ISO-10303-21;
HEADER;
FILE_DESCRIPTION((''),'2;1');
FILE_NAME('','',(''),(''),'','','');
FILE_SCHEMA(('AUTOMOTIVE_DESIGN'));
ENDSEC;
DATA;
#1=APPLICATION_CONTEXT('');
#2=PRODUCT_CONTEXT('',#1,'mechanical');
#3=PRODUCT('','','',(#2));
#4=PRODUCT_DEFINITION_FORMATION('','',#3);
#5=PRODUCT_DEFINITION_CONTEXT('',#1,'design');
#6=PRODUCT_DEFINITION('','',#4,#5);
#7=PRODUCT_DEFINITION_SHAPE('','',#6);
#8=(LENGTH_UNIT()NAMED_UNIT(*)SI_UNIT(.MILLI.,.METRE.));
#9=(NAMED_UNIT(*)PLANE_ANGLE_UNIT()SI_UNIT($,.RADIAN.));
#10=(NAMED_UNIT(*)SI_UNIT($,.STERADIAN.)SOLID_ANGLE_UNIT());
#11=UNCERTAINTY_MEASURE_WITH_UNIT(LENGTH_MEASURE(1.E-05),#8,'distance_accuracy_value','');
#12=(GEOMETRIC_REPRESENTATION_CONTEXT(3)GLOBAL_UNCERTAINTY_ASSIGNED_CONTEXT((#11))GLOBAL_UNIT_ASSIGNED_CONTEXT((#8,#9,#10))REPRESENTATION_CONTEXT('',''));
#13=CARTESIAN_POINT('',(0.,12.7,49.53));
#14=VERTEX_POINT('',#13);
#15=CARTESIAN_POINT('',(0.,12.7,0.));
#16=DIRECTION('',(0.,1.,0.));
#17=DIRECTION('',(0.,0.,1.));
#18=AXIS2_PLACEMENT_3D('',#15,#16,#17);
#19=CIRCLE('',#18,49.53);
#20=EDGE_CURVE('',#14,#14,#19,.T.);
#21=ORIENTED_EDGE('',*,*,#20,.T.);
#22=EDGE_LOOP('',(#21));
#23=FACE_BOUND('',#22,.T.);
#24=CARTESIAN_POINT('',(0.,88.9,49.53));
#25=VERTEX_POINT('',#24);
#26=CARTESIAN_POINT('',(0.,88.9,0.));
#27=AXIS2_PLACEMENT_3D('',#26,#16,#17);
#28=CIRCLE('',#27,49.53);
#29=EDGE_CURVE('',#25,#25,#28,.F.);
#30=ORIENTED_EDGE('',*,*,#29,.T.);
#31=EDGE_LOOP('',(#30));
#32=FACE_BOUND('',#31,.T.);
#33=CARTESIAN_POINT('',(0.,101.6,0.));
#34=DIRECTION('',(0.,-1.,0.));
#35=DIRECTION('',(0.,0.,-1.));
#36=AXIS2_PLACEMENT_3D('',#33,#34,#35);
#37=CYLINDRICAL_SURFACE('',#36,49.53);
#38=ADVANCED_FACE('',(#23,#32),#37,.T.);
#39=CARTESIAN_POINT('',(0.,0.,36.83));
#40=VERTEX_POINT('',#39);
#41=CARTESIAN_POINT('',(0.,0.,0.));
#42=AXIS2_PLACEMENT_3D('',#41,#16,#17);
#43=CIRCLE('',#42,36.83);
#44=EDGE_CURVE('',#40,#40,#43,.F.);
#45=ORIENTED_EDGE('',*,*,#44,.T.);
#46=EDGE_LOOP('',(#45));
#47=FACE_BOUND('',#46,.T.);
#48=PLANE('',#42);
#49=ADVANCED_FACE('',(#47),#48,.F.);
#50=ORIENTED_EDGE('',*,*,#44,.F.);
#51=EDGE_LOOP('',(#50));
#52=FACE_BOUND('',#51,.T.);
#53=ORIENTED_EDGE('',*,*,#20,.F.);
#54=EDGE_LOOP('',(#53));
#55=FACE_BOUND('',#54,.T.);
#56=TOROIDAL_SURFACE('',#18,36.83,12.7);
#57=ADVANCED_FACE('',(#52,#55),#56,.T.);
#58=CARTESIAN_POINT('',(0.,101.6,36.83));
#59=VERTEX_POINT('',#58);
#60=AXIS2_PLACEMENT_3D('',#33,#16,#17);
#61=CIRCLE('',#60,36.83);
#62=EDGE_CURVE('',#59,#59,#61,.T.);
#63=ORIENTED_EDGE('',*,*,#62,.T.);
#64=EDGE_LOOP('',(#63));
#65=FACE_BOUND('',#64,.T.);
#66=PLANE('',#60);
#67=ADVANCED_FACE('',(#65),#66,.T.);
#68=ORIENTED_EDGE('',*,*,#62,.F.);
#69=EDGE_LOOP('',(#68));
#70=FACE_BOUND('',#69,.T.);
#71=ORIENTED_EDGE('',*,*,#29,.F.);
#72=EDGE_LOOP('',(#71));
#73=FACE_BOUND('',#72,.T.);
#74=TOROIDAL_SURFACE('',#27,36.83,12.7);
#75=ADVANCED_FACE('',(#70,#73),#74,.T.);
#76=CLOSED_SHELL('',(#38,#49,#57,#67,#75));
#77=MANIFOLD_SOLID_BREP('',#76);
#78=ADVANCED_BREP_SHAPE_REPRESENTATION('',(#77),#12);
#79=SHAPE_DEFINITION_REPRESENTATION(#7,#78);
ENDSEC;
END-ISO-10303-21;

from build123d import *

# Parameters (mm, degrees)
SKETCH1_R           = 49.53
BOSS_EXTRUDE1_DEPTH = 101.6
FILLET1_R           = 12.7


with BuildPart() as part:
    # Sketch1 → Boss-Extrude1 (new body)
    with BuildSketch(Plane(origin=(0, 0, 0), x_dir=(1, 0, 0), z_dir=(0, 1, 0))):
        with Locations(Location((0, 0, 0), (0, 0, 270))):
            Circle(SKETCH1_R)
    extrude(amount=BOSS_EXTRUDE1_DEPTH)

    # Fillet1
    fillet1_edges = [part.edges().sort_by_distance(p)[0] for p in [
        (0, 0, -49.53),
        (0, 101.6, -49.53),
    ]]
    fillet(fillet1_edges, radius=FILLET1_R)


solid = part.part
